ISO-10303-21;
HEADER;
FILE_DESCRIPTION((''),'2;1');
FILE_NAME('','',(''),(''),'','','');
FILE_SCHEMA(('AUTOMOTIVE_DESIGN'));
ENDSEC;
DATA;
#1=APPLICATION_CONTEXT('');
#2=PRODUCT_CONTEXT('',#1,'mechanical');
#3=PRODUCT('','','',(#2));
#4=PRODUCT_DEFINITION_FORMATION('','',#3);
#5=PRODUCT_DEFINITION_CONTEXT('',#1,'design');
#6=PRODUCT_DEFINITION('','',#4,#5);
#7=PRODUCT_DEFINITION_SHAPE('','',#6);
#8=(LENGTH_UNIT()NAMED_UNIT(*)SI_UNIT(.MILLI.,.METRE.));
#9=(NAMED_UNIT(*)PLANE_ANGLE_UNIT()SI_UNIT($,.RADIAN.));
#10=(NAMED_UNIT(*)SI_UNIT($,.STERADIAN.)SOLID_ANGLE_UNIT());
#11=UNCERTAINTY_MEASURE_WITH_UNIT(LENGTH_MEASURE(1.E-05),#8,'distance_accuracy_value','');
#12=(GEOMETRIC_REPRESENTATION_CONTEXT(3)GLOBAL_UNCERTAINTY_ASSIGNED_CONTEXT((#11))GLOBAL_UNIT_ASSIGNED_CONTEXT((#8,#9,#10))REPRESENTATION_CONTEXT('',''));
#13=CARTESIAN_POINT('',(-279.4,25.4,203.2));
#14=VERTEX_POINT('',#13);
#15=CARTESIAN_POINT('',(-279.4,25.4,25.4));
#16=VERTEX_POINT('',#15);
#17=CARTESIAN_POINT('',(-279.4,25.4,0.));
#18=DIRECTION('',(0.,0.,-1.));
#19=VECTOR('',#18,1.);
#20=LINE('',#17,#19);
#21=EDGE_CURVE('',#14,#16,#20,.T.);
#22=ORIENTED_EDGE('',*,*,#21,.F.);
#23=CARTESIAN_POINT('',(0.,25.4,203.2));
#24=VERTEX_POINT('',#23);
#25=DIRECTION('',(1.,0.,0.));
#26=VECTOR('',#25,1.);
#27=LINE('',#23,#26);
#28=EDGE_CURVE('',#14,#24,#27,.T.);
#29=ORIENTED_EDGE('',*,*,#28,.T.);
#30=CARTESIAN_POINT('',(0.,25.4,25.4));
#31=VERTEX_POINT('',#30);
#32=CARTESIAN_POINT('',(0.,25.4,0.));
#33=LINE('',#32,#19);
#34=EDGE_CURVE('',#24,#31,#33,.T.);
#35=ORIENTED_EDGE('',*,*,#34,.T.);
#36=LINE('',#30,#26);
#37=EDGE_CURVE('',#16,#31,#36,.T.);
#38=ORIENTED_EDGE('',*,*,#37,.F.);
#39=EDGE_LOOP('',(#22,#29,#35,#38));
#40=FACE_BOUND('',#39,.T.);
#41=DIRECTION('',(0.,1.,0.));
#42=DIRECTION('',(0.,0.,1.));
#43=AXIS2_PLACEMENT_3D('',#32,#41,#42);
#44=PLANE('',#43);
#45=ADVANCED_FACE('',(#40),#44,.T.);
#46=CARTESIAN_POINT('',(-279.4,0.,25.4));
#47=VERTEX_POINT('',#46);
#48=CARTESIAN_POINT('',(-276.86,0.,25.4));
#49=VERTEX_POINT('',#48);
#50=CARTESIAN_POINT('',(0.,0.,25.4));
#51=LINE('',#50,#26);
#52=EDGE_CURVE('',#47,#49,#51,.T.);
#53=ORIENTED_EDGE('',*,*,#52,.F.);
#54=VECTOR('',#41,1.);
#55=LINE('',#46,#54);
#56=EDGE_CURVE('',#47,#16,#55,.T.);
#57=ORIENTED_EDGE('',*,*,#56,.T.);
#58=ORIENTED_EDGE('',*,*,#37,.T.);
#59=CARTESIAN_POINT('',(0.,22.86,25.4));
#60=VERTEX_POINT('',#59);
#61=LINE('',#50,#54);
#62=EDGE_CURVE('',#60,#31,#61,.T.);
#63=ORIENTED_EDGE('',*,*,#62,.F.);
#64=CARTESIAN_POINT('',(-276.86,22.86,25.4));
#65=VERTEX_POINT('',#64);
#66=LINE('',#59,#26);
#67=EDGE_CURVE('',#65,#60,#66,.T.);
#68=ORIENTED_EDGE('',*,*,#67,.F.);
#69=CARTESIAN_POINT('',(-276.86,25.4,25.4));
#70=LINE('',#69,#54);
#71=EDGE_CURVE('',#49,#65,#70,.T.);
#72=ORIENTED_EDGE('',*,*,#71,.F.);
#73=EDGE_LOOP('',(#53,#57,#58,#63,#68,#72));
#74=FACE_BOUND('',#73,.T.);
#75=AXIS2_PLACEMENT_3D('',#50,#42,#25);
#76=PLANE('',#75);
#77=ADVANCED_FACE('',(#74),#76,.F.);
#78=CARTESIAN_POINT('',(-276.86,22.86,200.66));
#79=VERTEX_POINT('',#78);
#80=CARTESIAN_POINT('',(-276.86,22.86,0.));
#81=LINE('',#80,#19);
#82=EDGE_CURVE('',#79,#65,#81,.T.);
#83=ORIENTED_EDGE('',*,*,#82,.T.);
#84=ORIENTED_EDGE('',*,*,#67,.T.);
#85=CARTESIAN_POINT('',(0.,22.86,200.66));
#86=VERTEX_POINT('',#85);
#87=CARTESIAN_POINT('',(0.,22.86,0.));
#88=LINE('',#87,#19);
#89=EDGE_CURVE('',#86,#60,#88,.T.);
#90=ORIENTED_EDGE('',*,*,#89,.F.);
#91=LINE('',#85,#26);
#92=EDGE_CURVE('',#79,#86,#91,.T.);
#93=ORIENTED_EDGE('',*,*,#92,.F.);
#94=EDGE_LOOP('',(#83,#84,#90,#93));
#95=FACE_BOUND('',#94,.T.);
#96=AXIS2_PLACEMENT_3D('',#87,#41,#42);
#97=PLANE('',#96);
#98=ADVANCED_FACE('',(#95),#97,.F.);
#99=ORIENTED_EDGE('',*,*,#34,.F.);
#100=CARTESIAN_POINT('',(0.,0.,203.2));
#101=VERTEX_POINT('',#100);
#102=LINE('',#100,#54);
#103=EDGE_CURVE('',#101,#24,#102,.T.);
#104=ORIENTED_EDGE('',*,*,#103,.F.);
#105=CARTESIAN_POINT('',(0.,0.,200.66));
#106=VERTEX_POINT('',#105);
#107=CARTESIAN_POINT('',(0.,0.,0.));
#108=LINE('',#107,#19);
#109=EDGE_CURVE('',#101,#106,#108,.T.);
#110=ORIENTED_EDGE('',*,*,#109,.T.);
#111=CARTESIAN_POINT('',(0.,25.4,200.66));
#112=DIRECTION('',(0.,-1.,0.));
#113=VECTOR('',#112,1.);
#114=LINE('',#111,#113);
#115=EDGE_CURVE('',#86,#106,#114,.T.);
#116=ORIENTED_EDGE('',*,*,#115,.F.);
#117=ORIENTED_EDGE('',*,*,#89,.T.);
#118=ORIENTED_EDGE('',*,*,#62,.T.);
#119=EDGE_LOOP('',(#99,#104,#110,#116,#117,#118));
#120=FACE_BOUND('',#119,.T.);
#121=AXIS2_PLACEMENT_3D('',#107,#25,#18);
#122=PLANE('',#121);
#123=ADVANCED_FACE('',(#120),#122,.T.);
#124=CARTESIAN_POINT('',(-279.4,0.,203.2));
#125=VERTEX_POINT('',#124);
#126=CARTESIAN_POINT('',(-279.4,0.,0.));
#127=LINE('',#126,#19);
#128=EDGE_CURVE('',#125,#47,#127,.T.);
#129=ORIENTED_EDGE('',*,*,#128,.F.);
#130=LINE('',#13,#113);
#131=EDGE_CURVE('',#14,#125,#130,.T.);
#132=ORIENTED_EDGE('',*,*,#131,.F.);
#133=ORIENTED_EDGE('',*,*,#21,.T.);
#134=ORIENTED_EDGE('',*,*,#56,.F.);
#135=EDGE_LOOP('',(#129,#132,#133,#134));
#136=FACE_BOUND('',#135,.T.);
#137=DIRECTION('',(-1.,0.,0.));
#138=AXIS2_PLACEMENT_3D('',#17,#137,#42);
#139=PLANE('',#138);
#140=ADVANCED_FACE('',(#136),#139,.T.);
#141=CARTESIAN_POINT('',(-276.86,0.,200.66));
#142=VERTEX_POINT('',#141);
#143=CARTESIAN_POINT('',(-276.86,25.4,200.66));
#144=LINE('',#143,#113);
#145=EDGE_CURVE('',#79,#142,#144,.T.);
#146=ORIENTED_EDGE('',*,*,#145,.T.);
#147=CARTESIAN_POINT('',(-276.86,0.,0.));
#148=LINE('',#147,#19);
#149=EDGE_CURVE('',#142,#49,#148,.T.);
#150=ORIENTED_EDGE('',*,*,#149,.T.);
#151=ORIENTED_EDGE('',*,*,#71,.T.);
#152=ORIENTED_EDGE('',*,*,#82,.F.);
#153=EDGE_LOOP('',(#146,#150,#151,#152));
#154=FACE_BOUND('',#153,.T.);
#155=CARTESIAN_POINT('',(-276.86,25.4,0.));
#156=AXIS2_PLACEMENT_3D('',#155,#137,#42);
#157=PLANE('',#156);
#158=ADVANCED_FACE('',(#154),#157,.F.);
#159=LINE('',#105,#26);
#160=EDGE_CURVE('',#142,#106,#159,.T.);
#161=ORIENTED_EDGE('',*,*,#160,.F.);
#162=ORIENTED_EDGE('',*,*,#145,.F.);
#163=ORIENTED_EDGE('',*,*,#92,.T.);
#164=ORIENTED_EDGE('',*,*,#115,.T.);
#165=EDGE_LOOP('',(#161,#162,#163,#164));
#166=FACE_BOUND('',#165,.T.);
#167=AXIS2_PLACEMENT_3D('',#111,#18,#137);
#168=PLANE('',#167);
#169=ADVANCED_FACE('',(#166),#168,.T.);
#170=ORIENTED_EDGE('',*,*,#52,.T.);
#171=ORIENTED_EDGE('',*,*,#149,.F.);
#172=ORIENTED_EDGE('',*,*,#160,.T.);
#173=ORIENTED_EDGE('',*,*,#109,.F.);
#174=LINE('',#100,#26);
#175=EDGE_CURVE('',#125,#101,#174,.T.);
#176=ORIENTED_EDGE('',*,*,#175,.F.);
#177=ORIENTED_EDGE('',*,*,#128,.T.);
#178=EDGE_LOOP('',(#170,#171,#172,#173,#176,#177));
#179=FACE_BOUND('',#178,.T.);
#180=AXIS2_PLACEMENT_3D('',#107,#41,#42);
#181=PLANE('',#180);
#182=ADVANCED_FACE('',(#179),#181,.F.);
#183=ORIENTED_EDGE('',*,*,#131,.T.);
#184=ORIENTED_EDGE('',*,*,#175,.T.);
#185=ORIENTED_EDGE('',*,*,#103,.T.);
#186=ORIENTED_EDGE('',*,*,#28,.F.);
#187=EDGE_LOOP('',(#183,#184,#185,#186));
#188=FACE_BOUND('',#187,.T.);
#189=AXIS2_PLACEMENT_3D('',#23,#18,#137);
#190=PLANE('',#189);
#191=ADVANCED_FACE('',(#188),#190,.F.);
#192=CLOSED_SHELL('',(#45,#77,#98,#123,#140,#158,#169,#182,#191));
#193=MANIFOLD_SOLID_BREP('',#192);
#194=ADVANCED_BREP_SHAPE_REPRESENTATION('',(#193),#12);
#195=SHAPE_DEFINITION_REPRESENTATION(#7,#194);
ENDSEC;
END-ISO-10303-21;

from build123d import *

# Parameters (mm, degrees)
BOSS_EXTRUDE1_DEPTH = 25.4
FILLET1_R           = 20.32
SHELL1_T            = -2.54
SKETCH2_R           = 2.54
CUT_EXTRUDE1_DEPTH  = 347.409815103
SKETCH3_R           = 2.54
CUT_EXTRUDE2_DEPTH  = 347.409815103


with BuildPart() as part:
    # Sketch1 → Boss-Extrude1 (new body)
    with BuildSketch(Plane(origin=(0, 0, 0), x_dir=(1, 0, 0), z_dir=(0, 1, 0))):
        Polygon((-279.4, 203.2), (-279.4, -203.2), (279.4, -203.2), (279.4, 203.2), (152.4, 203.2), (152.4, 12.7), (-152.4, 12.7), (-152.4, 203.2), align=None)
    extrude(amount=BOSS_EXTRUDE1_DEPTH)

    # Fillet1
    fillet1_edges = [part.edges().sort_by_distance(p)[0] for p in [
        (279.4, 12.7, -203.2),
        (-279.4, 12.7, -203.2),
        (-152.4, 12.7, -203.2),
        (152.4, 12.7, -203.2),
    ]]
    fillet(fillet1_edges, radius=FILLET1_R)

    # Shell1
    shell1_openings = [part.faces().sort_by_distance(p)[0] for p in [
        (0, 0, 37.577423361),
    ]]
    offset(amount=SHELL1_T, openings=shell1_openings, kind=Kind.INTERSECTION)

    # Sketch2 → Cut-Extrude1 (cut, through all)
    with BuildSketch(Plane(origin=(0, 25.4, 0), x_dir=(1, 0, 0), z_dir=(0, 1, 0))):
        with Locations(Location((-177.72, 165.1, 0), (0, 0, 270))):
            Circle(SKETCH2_R)
        with Locations(Location((-167.56, 165.1, 0), (0, 0, 270))):
            Circle(SKETCH2_R)
        with Locations(Location((167.56, 165.1, 0), (0, 0, 270))):
            Circle(SKETCH2_R)
        with Locations(Location((177.72, 165.1, 0), (0, 0, 270))):
            Circle(SKETCH2_R)
    extrude(amount=-CUT_EXTRUDE1_DEPTH, mode=Mode.SUBTRACT)

    # Sketch3 → Cut-Extrude2 (cut, through all)
    with BuildSketch(Plane(origin=(0, 25.4, 0), x_dir=(1, 0, 0), z_dir=(0, 1, 0))):
        with BuildLine():
            Line((-279.4, 182.88), (-279.4, -25.4))
            Line((-279.4, -25.4), (0, -25.4))
            Line((0, -25.4), (0, -203.2))
            Line((0, -203.2), (279.4, -203.2))
            Line((279.4, -203.2), (279.4, 182.88))
            ThreePointArc((279.4, 182.88), (273.448409794, 197.248409794), (259.08, 203.2))
            Line((259.08, 203.2), (172.72, 203.2))
            ThreePointArc((172.72, 203.2), (158.351590206, 197.248409794), (152.4, 182.88))
            Line((152.4, 182.88), (152.4, 12.7))
            Line((152.4, 12.7), (-152.4, 12.7))
            Line((-152.4, 12.7), (-152.4, 182.88))
            ThreePointArc((-152.4, 182.88), (-158.351590206, 197.248409794), (-172.72, 203.2))
            Line((-172.72, 203.2), (-259.08, 203.2))
            ThreePointArc((-259.08, 203.2), (-273.448409794, 197.248409794), (-279.4, 182.88))
        make_face()
        with Locations((-177.72, 165.1)):
            Circle(SKETCH3_R, mode=Mode.SUBTRACT)
        with Locations((-167.56, 165.1)):
            Circle(SKETCH3_R, mode=Mode.SUBTRACT)
        with Locations((167.56, 165.1)):
            Circle(SKETCH3_R, mode=Mode.SUBTRACT)
        with Locations((177.72, 165.1)):
            Circle(SKETCH3_R, mode=Mode.SUBTRACT)
    extrude(amount=-CUT_EXTRUDE2_DEPTH, mode=Mode.SUBTRACT)


solid = part.part
